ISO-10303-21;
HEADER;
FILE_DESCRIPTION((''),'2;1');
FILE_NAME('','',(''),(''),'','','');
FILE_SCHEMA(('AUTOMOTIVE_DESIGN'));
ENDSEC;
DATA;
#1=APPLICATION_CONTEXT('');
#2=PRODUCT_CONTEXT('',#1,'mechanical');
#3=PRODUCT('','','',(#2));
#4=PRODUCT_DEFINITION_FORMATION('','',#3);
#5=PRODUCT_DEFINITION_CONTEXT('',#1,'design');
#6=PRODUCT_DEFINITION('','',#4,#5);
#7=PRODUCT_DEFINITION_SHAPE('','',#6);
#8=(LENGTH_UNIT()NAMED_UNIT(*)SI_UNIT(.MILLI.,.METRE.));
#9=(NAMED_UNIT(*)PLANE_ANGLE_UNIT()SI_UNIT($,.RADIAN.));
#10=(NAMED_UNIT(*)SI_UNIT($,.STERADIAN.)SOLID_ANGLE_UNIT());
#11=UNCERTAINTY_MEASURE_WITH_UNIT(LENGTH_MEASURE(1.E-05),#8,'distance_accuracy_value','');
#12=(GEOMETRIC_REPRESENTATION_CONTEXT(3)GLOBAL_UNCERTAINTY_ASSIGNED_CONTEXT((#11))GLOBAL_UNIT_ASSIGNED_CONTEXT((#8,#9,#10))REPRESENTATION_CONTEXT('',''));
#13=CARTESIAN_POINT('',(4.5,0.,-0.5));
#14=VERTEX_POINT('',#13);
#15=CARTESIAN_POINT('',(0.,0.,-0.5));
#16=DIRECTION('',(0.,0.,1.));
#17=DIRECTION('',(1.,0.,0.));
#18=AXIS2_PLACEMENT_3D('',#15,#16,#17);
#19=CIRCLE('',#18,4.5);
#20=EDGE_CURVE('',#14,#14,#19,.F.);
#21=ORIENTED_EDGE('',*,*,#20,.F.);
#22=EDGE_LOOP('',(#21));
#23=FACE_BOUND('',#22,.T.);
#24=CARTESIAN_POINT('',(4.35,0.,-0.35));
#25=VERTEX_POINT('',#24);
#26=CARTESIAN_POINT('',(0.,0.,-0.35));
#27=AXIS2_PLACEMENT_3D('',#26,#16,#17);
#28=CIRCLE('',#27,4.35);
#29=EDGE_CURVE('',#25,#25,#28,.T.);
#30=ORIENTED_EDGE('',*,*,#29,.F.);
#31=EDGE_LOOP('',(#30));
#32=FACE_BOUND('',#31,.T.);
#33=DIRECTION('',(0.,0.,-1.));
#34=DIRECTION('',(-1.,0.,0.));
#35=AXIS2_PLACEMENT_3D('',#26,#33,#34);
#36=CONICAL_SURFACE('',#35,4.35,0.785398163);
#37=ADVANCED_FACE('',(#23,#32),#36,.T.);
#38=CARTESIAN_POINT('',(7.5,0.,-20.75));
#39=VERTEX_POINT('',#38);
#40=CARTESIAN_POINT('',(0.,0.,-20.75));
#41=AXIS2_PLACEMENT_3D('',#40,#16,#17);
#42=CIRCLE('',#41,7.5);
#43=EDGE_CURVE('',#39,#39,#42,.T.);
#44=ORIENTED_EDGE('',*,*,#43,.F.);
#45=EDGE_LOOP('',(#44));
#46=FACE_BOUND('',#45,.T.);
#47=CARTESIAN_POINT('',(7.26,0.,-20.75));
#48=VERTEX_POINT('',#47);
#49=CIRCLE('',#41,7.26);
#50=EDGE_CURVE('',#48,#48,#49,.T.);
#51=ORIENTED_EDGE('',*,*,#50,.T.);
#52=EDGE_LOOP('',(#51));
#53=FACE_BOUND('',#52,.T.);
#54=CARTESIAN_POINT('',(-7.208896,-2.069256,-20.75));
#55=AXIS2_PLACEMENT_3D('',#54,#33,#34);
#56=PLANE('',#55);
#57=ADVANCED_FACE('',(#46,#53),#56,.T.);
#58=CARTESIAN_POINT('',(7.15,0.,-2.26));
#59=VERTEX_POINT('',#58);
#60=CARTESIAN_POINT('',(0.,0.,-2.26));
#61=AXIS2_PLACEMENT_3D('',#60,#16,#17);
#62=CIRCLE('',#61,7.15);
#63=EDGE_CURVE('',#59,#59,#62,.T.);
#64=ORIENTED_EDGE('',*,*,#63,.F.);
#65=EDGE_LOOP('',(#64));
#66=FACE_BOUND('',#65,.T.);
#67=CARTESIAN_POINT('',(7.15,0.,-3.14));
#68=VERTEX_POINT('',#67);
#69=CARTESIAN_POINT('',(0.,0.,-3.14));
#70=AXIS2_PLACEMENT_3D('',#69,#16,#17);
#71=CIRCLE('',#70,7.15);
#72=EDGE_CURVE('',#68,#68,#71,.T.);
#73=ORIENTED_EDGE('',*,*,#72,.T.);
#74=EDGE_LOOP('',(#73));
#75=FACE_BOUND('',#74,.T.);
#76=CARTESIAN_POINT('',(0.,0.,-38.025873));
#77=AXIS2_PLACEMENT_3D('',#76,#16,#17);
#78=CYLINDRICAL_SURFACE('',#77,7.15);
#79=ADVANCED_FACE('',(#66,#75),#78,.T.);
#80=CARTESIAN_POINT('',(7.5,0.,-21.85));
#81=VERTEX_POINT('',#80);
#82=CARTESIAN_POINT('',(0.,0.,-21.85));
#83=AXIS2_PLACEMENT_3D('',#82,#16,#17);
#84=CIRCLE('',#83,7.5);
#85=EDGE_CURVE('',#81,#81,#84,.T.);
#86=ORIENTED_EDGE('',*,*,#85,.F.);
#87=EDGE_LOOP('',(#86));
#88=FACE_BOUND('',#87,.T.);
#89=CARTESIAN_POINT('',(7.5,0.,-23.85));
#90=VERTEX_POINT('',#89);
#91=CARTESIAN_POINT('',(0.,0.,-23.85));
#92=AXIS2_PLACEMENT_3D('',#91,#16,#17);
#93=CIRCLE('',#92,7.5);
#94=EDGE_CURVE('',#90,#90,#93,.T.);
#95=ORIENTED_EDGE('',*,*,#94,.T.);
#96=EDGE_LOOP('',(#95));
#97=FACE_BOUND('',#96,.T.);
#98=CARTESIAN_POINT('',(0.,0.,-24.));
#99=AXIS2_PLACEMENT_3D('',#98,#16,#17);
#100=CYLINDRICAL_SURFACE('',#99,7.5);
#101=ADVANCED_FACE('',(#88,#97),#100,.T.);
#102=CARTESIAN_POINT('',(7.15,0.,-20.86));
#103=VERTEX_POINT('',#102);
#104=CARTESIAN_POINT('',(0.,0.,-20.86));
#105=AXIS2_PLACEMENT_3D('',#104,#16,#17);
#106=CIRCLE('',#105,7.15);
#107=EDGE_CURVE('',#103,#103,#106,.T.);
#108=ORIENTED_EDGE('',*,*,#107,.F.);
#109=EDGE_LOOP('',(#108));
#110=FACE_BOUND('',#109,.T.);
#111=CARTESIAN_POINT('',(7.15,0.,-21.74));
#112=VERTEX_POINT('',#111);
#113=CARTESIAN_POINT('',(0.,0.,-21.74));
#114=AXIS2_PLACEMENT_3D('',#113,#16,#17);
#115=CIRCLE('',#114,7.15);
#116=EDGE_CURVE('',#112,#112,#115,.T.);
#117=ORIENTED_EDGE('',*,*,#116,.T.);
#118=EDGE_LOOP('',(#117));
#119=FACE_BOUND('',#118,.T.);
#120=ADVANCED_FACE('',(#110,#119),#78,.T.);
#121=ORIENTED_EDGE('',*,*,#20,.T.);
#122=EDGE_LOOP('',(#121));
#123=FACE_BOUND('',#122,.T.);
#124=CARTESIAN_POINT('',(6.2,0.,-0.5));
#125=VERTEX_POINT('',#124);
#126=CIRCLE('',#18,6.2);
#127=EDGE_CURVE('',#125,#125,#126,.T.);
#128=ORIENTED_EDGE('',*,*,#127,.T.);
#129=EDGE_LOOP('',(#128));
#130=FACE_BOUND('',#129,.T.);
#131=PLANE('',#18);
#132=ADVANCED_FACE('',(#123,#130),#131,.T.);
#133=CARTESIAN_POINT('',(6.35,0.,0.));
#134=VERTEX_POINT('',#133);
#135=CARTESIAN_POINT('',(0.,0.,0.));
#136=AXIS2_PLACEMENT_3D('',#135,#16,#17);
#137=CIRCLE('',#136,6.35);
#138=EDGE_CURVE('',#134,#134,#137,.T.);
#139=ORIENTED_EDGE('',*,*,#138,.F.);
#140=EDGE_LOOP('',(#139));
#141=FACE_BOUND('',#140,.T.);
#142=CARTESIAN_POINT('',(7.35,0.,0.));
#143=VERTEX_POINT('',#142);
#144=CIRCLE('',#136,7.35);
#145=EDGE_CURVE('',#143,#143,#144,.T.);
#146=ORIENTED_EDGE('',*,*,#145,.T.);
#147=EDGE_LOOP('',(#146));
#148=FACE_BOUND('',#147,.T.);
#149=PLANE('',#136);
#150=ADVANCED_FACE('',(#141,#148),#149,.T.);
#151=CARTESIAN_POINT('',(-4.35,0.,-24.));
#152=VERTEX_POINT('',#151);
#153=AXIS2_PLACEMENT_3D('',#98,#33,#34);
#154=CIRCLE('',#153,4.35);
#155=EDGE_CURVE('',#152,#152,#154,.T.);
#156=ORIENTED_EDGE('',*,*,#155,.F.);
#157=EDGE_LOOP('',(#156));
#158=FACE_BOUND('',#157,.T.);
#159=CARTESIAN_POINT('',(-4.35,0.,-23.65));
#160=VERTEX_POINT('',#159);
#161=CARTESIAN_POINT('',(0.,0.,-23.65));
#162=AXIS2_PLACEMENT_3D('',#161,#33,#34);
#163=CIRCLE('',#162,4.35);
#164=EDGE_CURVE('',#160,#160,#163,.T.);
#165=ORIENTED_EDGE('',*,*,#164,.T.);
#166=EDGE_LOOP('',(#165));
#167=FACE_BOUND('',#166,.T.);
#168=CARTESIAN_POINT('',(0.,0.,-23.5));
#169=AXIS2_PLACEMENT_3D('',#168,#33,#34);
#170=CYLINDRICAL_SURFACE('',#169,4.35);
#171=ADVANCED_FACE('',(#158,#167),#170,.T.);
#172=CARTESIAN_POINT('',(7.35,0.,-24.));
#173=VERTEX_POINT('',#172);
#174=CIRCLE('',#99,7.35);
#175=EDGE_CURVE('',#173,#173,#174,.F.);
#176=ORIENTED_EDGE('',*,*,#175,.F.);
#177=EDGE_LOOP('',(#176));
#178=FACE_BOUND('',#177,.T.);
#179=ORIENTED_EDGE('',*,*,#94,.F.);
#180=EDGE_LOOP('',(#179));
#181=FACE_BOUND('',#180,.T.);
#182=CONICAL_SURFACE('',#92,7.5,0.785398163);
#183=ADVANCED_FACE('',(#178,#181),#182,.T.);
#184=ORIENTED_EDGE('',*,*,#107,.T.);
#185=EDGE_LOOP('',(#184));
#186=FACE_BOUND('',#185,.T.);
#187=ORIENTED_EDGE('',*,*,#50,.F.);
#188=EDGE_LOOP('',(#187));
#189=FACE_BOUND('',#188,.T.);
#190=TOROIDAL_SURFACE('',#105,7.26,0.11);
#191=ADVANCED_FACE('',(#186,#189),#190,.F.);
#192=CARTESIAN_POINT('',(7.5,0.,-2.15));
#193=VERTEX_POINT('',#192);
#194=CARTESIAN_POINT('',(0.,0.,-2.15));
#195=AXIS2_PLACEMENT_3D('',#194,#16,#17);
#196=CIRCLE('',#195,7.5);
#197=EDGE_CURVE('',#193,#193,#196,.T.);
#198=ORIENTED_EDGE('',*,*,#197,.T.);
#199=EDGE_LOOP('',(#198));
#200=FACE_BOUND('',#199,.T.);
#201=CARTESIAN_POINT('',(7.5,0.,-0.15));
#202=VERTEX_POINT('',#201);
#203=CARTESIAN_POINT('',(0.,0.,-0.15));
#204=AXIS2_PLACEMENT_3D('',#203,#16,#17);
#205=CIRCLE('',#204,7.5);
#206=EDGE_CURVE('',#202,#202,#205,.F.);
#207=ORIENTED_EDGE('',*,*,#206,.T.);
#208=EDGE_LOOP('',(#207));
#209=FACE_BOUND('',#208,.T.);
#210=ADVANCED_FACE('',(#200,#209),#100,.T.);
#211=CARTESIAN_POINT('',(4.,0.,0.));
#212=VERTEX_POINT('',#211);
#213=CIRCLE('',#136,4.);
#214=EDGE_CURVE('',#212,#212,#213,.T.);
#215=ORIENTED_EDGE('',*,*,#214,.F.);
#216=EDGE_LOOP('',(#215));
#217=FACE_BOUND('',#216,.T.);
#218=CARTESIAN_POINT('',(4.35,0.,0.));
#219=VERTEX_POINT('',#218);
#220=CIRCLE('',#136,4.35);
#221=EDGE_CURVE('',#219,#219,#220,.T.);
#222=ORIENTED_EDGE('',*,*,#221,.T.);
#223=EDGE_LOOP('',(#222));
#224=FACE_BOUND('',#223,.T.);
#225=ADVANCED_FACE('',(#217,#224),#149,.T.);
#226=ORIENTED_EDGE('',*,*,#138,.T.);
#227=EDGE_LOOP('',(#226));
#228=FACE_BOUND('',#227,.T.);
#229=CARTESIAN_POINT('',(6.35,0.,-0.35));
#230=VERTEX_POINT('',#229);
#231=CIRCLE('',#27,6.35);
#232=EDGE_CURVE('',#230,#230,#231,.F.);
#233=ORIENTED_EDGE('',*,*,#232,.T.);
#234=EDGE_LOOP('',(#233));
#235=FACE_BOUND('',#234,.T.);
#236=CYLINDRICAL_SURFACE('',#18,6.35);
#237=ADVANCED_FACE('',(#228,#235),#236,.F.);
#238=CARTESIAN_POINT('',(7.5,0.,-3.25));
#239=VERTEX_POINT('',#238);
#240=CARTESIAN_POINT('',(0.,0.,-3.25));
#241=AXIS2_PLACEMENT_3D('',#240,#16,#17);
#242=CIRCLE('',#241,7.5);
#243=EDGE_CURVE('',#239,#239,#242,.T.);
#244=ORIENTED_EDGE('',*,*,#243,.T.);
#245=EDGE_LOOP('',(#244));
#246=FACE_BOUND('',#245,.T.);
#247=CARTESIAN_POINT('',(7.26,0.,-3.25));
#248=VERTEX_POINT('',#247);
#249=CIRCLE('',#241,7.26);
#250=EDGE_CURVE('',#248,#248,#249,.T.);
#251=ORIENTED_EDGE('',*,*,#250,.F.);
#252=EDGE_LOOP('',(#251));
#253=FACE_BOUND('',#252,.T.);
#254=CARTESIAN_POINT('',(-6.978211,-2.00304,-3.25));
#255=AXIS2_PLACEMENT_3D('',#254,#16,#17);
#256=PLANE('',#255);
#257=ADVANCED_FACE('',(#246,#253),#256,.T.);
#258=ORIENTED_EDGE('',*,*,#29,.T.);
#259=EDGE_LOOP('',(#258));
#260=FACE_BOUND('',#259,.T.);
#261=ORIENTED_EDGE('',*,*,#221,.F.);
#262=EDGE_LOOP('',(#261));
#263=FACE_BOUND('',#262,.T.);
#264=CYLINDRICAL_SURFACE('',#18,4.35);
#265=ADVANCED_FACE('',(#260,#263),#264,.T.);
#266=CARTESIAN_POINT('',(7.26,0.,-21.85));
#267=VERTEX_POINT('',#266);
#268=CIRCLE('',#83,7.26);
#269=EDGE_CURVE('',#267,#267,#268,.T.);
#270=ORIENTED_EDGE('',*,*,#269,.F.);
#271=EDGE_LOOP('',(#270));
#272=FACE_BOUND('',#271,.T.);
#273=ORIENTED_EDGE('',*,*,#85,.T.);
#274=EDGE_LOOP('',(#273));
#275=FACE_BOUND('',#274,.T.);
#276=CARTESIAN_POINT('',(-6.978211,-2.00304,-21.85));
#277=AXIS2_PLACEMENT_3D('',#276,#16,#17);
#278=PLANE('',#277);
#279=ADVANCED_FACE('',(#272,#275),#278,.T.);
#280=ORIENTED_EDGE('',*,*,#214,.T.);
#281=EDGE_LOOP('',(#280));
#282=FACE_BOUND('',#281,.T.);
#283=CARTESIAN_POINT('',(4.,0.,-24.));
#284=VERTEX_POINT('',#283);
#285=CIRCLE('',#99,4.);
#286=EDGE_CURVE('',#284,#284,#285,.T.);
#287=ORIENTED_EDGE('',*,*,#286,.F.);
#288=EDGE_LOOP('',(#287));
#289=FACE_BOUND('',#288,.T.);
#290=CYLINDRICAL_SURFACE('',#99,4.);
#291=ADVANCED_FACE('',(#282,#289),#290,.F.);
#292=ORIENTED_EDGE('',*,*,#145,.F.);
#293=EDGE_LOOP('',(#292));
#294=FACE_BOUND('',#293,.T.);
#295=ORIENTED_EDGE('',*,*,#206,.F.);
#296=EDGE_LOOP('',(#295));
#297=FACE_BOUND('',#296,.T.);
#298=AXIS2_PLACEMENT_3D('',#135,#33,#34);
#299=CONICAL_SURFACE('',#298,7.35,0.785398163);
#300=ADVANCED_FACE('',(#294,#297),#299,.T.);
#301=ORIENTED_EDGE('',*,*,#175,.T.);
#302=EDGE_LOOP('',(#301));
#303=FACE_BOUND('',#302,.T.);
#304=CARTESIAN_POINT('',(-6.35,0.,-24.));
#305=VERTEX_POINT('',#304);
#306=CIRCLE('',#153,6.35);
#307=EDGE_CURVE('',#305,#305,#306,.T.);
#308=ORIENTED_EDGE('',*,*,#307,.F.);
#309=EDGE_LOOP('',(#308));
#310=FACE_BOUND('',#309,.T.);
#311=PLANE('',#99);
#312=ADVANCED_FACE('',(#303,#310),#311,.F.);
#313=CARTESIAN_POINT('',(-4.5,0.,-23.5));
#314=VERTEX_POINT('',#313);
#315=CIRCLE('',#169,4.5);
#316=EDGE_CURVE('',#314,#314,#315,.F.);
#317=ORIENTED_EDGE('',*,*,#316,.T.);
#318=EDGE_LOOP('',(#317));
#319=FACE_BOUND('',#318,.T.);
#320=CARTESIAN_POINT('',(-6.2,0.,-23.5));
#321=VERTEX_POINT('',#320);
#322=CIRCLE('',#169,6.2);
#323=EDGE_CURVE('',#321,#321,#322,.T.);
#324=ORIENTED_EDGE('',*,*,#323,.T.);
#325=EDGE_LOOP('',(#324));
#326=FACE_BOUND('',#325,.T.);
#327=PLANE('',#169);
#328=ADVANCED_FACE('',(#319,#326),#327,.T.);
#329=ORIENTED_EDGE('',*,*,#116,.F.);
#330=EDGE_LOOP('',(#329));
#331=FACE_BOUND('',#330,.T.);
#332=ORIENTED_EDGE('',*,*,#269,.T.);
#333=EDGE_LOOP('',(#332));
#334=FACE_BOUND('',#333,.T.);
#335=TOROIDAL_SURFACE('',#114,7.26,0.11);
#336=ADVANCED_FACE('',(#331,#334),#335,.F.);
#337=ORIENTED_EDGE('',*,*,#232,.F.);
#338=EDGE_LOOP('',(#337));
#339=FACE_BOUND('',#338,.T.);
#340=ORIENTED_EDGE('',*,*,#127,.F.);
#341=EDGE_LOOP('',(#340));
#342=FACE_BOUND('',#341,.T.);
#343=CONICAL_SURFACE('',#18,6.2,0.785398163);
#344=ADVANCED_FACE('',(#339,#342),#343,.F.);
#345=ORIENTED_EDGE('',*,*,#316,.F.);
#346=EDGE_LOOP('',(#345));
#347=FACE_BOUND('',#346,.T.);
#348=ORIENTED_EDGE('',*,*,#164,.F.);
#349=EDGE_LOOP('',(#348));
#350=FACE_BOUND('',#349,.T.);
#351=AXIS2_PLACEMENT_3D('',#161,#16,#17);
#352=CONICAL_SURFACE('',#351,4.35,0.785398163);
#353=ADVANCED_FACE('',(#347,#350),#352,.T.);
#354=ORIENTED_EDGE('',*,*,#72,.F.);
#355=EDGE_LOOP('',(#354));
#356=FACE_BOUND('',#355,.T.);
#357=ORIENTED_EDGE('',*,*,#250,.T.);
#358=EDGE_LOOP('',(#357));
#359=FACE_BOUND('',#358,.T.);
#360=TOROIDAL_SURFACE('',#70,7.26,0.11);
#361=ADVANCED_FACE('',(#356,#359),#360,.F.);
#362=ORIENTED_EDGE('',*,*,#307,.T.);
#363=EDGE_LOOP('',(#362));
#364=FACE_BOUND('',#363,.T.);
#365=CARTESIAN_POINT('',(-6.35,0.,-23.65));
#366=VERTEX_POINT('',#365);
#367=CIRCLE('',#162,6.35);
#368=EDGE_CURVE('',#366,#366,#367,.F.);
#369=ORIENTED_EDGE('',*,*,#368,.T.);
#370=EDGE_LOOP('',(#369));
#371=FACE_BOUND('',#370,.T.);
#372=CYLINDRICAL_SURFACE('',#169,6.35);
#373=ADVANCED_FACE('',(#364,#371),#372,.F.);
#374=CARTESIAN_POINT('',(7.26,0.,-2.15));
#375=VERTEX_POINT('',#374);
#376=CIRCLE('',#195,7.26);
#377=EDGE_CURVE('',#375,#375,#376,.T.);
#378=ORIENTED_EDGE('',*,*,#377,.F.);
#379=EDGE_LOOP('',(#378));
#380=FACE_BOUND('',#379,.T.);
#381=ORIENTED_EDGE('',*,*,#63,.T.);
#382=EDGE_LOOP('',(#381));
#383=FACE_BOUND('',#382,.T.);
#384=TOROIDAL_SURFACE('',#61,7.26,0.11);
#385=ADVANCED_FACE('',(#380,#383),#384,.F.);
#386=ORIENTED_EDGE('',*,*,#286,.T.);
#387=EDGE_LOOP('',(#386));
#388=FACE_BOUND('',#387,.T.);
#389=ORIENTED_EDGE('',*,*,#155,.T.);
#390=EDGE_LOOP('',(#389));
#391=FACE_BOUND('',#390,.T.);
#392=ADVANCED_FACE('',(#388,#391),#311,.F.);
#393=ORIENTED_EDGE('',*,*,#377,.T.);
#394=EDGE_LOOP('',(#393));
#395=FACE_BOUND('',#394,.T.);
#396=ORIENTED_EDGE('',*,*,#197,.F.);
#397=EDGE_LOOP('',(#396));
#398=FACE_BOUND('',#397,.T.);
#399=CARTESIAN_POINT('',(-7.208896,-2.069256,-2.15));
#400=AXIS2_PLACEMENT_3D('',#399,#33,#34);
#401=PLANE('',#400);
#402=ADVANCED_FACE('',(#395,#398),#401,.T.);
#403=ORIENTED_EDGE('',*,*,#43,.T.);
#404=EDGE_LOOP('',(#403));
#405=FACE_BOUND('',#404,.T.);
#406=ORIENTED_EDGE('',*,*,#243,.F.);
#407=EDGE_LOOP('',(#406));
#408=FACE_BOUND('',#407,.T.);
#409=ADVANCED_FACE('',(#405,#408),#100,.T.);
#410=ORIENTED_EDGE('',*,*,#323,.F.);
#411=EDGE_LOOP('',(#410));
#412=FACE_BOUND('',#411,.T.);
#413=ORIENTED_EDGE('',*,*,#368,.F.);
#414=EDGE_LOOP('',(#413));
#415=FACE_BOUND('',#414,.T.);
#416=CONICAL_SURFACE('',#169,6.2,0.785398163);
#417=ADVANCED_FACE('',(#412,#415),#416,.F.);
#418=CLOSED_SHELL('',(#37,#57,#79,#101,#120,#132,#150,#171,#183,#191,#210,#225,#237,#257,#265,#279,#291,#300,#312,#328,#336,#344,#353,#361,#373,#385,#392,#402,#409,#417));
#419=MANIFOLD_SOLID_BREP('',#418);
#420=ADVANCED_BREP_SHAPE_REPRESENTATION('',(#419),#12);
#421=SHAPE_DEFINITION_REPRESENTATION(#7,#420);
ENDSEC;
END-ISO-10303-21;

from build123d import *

# Parameters (mm, degrees)
SKETCH1_R           = 7.5
SKETCH1_R_2         = 4
BOSS_EXTRUDE1_DEPTH = 24
SKETCH2_R           = 6.35
SKETCH2_R_2         = 4.35
CUT_EXTRUDE1_DEPTH  = 0.5
SKETCH3_R           = 6.35
SKETCH3_R_2         = 4.35
CUT_EXTRUDE2_DEPTH  = 0.5
CHAMFER1_SIZE       = 0.15


with BuildPart() as part:
    # Sketch1 → Boss-Extrude1 (new body)
    with BuildSketch(Plane.XY):
        Circle(SKETCH1_R)
        Circle(SKETCH1_R_2, mode=Mode.SUBTRACT)
    extrude(amount=-BOSS_EXTRUDE1_DEPTH)

    # Sketch2 → Cut-Extrude1 (cut)
    with BuildSketch(Plane.XY):
        Circle(SKETCH2_R)
        Circle(SKETCH2_R_2, mode=Mode.SUBTRACT)
    extrude(amount=-CUT_EXTRUDE1_DEPTH, mode=Mode.SUBTRACT)

    # Sketch3 → Cut-Extrude2 (cut)
    with BuildSketch(Plane(origin=(0, 0, -24), x_dir=(-1, 0, 0), z_dir=(0, 0, -1))):
        Circle(SKETCH3_R)
        Circle(SKETCH3_R_2, mode=Mode.SUBTRACT)
    extrude(amount=-CUT_EXTRUDE2_DEPTH, mode=Mode.SUBTRACT)

    # Groove Sketch → Retaining Ring Groove (revolve, cut)
    with BuildSketch(Plane(origin=(10.524041949, 3.020841974, -25.315160673), x_dir=(-0.243952573, -0.070024633, -0.967255754), z_dir=(-0.27590078, 0.961186121, 0))):
        with BuildLine():
            Line((-16.721138463, 23.21299415), (-16.66022558, 23.445135531))
            Line((-16.66022558, 23.445135531), (-17.724206909, 23.724319577))
            Line((-17.724206909, 23.724319577), (-17.785119792, 23.492178196))
            ThreePointArc((-17.785119792, 23.492178196), (-17.773697794, 23.408766243), (-17.706640064, 23.357861658))
            Line((-17.706640064, 23.357861658), (-16.855455, 23.134514422))
            ThreePointArc((-16.855455, 23.134514422), (-16.772043048, 23.14593642), (-16.721138463, 23.21299415))
        make_face()
    revolve(axis=Axis((0, 0, -38.025873123), (0, 0, 1)), mode=Mode.SUBTRACT)

    # Groove Sketch1 → Retaining Ring Groove1 (revolve, cut)
    with BuildSketch(Plane(origin=(10.524041949, 3.020841974, -25.315160673), x_dir=(-0.243952573, -0.070024633, -0.967255754), z_dir=(-0.27590078, 0.961186121, 0))):
        with BuildLine():
            Line((1.269818557, 18.492245746), (1.33073144, 18.724387127))
            Line((1.33073144, 18.724387127), (0.266750111, 19.003571172))
            Line((0.266750111, 19.003571172), (0.205837228, 18.771429791))
            ThreePointArc((0.205837228, 18.771429791), (0.217259227, 18.688017839), (0.284316956, 18.637113254))
            Line((0.284316956, 18.637113254), (1.13550202, 18.413766017))
            ThreePointArc((1.13550202, 18.413766017), (1.218913972, 18.425188016), (1.269818557, 18.492245746))
        make_face()
    revolve(axis=Axis((0, 0, -38.025873123), (0, 0, 1)), mode=Mode.SUBTRACT)

    # Chamfer1
    chamfer1_edges = [part.edges().sort_by_distance(p)[0] for p in [
        (-6.35, 0, -0.5),
        (-4.35, 0, -0.5),
        (6.35, 0, -23.5),
        (-7.5, 0, 0),
        (4.35, 0, -23.5),
        (-7.5, 0, -24),
    ]]
    chamfer(chamfer1_edges, length=CHAMFER1_SIZE)


solid = part.part
